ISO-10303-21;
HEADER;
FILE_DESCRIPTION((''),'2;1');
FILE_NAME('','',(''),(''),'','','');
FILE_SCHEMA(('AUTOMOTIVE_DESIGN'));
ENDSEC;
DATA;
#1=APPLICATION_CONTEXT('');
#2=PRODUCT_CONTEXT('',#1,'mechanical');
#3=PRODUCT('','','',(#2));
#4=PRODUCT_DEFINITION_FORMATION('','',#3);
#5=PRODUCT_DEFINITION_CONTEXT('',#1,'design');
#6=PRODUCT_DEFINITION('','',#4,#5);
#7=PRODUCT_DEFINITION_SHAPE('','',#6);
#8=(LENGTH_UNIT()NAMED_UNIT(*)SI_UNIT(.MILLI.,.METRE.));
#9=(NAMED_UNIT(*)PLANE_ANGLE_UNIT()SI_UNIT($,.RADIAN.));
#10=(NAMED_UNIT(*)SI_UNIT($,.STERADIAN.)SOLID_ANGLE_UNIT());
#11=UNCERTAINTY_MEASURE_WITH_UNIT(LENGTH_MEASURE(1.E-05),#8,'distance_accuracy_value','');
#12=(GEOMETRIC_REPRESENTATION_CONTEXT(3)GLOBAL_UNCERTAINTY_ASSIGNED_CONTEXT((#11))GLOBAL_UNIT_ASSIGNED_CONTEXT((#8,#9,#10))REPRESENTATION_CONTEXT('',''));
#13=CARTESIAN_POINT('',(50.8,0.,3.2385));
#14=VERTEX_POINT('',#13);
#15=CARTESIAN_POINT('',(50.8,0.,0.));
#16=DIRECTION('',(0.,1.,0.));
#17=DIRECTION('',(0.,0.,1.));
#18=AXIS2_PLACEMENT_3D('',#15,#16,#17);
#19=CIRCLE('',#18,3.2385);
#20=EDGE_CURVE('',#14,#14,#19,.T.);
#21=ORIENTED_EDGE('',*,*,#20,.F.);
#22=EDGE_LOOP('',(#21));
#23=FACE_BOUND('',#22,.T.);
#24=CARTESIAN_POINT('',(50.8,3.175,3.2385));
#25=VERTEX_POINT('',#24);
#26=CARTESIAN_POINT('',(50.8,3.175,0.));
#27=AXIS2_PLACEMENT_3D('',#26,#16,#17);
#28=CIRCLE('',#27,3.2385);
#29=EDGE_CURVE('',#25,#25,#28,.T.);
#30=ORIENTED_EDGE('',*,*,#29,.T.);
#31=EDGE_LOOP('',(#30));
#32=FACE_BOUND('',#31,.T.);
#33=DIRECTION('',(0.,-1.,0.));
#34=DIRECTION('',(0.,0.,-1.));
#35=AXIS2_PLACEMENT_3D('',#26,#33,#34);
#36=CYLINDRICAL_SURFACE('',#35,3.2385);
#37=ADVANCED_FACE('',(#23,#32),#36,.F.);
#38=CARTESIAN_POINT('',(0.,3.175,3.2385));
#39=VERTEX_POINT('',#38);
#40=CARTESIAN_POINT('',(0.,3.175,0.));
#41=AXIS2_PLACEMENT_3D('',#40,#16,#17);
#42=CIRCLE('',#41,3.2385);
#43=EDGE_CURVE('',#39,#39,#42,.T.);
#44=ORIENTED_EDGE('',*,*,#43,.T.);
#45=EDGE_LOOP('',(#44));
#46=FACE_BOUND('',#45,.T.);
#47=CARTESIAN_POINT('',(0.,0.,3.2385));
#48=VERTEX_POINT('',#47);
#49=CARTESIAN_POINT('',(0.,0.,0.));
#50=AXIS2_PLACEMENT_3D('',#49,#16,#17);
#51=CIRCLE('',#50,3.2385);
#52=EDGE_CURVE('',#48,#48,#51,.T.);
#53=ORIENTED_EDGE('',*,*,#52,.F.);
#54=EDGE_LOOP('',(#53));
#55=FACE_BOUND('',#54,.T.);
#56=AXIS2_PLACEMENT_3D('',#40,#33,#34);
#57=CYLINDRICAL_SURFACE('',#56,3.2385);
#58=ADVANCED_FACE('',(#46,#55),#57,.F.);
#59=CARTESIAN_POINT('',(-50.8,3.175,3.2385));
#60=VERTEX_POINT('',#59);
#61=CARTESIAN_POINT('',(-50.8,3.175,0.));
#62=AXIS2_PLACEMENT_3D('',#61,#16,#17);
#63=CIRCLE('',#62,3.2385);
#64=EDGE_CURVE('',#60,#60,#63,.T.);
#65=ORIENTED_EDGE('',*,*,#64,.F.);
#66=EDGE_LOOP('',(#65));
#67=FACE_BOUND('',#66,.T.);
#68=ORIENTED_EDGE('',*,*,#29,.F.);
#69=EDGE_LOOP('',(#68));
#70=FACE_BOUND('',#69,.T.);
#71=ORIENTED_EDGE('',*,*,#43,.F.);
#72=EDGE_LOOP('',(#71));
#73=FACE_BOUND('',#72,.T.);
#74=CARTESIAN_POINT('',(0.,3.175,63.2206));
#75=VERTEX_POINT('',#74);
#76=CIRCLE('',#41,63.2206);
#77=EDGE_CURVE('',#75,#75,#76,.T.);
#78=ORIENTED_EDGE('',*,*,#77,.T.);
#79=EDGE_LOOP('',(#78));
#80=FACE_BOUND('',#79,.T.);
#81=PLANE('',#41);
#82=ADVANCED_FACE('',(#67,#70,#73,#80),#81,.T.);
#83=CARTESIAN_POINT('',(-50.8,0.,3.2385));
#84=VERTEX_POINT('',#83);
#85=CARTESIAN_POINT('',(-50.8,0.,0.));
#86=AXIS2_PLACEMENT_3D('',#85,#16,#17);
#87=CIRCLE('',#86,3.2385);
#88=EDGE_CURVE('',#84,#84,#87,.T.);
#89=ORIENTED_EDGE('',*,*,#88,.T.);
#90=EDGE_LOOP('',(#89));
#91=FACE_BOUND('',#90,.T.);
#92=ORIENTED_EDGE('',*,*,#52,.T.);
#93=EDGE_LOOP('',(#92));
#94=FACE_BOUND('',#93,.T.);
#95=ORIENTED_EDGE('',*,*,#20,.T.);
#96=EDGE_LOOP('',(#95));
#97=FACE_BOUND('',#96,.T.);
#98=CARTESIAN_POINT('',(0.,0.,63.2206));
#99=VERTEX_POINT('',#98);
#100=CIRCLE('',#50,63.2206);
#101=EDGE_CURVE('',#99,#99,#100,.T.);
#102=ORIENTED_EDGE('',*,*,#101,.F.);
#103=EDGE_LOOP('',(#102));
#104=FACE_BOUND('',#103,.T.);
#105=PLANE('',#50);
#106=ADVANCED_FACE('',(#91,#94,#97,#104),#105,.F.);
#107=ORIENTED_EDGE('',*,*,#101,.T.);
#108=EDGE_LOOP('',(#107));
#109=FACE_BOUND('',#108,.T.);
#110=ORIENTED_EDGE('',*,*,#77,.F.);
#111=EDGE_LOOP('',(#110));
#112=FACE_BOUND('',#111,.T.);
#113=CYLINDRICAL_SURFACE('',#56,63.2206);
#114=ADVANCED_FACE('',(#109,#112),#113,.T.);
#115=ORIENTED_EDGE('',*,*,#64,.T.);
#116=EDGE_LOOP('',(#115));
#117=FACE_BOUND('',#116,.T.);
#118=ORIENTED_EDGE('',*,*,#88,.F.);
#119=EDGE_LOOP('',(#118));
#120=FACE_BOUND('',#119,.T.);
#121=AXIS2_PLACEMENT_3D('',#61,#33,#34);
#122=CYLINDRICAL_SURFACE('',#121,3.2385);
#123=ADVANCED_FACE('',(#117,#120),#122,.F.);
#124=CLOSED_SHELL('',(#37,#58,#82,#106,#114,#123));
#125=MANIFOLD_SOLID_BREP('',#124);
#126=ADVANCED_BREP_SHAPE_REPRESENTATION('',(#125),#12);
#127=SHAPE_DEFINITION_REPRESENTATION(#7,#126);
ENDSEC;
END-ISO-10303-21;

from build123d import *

# Parameters (mm, degrees)
SKETCH2_R           = 63.2206
SKETCH2_R_2         = 3.2385
BOSS_EXTRUDE1_DEPTH = 3.175


with BuildPart() as part:
    # Sketch2 → Boss-Extrude1 (new body)
    with BuildSketch(Plane(origin=(0, 0, 0), x_dir=(1, 0, 0), z_dir=(0, 1, 0))):
        Circle(SKETCH2_R)
        with Locations((-50.8, 0)):
            Circle(SKETCH2_R_2, mode=Mode.SUBTRACT)
        with Locations((50.8, 0)):
            Circle(SKETCH2_R_2, mode=Mode.SUBTRACT)
        Circle(SKETCH2_R_2, mode=Mode.SUBTRACT)
    extrude(amount=BOSS_EXTRUDE1_DEPTH)


solid = part.part
